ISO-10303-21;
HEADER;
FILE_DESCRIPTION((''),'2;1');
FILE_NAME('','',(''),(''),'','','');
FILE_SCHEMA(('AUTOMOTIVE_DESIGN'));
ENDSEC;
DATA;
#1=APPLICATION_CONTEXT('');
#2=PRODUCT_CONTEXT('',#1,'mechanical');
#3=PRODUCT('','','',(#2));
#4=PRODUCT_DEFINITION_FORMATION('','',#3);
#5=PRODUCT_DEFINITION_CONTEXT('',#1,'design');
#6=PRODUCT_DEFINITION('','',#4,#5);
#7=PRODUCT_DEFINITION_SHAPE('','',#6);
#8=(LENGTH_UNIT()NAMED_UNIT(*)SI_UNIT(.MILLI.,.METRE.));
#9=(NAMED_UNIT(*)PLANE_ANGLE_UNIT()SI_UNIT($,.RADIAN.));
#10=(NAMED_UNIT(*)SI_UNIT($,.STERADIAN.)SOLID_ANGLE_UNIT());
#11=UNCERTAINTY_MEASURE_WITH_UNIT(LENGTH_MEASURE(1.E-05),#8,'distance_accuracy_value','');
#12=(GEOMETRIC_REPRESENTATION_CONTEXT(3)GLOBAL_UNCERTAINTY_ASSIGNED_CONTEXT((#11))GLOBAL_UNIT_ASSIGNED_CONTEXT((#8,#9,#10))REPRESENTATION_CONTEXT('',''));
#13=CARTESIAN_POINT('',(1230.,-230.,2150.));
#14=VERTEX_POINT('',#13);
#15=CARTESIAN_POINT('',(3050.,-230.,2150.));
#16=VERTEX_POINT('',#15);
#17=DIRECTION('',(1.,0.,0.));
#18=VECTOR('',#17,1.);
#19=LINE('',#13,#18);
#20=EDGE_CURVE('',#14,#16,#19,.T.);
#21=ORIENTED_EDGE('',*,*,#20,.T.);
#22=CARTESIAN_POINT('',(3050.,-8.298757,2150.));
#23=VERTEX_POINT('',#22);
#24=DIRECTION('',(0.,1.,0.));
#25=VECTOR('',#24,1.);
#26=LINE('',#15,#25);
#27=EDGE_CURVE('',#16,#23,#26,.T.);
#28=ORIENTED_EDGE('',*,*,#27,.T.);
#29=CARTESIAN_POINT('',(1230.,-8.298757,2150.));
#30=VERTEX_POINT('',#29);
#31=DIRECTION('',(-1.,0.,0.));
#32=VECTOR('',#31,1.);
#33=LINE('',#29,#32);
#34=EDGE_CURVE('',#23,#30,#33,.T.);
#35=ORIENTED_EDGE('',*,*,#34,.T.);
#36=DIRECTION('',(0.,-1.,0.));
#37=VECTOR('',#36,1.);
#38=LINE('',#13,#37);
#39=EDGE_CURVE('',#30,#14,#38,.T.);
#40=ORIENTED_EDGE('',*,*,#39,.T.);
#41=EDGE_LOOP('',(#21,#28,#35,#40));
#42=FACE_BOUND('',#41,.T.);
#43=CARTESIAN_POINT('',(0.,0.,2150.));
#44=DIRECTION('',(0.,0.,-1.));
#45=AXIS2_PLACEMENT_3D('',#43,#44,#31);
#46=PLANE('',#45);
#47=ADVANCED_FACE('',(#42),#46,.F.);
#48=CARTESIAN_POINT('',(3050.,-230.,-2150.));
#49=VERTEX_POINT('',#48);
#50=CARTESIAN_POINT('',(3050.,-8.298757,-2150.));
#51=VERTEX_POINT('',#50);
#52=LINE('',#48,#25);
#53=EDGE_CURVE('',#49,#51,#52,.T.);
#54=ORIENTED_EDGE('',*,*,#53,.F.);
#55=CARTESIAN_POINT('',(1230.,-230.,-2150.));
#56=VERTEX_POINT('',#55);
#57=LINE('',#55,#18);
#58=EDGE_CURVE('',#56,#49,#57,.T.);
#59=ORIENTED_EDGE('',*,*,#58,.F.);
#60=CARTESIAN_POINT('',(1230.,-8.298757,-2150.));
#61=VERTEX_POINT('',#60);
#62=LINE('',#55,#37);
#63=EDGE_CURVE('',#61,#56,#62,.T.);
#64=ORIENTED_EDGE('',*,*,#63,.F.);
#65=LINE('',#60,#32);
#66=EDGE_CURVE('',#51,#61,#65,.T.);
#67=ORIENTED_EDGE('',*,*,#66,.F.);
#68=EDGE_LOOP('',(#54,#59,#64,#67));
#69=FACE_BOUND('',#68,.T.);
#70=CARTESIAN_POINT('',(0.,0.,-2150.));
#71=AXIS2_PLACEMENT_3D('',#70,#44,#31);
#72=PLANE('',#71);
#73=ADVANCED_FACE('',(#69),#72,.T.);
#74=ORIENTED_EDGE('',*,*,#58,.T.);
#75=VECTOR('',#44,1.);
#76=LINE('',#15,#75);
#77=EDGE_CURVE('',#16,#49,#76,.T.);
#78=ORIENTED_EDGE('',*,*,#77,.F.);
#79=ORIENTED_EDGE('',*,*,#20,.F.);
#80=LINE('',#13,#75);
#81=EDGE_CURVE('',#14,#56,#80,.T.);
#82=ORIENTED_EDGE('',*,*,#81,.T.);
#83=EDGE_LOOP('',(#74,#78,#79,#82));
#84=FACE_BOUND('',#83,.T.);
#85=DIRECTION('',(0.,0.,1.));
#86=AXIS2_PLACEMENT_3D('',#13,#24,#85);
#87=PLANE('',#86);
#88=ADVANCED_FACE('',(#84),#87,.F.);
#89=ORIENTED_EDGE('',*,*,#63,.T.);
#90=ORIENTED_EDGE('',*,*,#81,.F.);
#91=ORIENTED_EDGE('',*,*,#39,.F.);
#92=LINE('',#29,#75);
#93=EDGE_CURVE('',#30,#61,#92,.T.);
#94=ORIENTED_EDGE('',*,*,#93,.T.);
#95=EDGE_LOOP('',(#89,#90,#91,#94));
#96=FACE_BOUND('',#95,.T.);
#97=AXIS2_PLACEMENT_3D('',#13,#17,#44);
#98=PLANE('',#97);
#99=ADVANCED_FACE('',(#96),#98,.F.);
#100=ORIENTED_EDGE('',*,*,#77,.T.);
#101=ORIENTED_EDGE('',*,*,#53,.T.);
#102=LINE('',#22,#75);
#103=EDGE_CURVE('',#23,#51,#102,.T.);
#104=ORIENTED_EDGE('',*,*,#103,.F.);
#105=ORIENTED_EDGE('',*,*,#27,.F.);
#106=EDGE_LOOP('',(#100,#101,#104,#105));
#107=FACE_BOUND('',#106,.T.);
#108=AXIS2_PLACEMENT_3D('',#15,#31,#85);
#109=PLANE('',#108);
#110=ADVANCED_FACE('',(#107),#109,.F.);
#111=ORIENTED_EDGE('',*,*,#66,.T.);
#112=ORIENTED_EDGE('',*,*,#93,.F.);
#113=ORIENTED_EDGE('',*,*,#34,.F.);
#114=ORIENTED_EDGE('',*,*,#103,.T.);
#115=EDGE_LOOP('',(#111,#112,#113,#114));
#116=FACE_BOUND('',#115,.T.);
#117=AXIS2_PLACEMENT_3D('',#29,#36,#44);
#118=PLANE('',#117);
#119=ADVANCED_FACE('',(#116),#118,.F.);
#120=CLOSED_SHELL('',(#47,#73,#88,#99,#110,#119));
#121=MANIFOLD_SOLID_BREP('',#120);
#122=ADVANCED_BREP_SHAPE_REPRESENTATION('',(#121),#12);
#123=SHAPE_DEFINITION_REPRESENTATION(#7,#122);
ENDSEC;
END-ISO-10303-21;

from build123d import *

# Parameters (mm, degrees)
BOSS_EXTRUDE1_START = -2150
SKETCH1_W           = 1820
SKETCH1_H           = 221.701242799
BOSS_EXTRUDE1_DEPTH = 4300


with BuildPart() as part:
    # Sketch1 → Boss-Extrude1 (new body)
    with BuildSketch(Plane.XY.offset(BOSS_EXTRUDE1_START)):
        with Locations((2140, -119.149378601)):
            Rectangle(SKETCH1_W, SKETCH1_H)
    extrude(amount=BOSS_EXTRUDE1_DEPTH)


solid = part.part
